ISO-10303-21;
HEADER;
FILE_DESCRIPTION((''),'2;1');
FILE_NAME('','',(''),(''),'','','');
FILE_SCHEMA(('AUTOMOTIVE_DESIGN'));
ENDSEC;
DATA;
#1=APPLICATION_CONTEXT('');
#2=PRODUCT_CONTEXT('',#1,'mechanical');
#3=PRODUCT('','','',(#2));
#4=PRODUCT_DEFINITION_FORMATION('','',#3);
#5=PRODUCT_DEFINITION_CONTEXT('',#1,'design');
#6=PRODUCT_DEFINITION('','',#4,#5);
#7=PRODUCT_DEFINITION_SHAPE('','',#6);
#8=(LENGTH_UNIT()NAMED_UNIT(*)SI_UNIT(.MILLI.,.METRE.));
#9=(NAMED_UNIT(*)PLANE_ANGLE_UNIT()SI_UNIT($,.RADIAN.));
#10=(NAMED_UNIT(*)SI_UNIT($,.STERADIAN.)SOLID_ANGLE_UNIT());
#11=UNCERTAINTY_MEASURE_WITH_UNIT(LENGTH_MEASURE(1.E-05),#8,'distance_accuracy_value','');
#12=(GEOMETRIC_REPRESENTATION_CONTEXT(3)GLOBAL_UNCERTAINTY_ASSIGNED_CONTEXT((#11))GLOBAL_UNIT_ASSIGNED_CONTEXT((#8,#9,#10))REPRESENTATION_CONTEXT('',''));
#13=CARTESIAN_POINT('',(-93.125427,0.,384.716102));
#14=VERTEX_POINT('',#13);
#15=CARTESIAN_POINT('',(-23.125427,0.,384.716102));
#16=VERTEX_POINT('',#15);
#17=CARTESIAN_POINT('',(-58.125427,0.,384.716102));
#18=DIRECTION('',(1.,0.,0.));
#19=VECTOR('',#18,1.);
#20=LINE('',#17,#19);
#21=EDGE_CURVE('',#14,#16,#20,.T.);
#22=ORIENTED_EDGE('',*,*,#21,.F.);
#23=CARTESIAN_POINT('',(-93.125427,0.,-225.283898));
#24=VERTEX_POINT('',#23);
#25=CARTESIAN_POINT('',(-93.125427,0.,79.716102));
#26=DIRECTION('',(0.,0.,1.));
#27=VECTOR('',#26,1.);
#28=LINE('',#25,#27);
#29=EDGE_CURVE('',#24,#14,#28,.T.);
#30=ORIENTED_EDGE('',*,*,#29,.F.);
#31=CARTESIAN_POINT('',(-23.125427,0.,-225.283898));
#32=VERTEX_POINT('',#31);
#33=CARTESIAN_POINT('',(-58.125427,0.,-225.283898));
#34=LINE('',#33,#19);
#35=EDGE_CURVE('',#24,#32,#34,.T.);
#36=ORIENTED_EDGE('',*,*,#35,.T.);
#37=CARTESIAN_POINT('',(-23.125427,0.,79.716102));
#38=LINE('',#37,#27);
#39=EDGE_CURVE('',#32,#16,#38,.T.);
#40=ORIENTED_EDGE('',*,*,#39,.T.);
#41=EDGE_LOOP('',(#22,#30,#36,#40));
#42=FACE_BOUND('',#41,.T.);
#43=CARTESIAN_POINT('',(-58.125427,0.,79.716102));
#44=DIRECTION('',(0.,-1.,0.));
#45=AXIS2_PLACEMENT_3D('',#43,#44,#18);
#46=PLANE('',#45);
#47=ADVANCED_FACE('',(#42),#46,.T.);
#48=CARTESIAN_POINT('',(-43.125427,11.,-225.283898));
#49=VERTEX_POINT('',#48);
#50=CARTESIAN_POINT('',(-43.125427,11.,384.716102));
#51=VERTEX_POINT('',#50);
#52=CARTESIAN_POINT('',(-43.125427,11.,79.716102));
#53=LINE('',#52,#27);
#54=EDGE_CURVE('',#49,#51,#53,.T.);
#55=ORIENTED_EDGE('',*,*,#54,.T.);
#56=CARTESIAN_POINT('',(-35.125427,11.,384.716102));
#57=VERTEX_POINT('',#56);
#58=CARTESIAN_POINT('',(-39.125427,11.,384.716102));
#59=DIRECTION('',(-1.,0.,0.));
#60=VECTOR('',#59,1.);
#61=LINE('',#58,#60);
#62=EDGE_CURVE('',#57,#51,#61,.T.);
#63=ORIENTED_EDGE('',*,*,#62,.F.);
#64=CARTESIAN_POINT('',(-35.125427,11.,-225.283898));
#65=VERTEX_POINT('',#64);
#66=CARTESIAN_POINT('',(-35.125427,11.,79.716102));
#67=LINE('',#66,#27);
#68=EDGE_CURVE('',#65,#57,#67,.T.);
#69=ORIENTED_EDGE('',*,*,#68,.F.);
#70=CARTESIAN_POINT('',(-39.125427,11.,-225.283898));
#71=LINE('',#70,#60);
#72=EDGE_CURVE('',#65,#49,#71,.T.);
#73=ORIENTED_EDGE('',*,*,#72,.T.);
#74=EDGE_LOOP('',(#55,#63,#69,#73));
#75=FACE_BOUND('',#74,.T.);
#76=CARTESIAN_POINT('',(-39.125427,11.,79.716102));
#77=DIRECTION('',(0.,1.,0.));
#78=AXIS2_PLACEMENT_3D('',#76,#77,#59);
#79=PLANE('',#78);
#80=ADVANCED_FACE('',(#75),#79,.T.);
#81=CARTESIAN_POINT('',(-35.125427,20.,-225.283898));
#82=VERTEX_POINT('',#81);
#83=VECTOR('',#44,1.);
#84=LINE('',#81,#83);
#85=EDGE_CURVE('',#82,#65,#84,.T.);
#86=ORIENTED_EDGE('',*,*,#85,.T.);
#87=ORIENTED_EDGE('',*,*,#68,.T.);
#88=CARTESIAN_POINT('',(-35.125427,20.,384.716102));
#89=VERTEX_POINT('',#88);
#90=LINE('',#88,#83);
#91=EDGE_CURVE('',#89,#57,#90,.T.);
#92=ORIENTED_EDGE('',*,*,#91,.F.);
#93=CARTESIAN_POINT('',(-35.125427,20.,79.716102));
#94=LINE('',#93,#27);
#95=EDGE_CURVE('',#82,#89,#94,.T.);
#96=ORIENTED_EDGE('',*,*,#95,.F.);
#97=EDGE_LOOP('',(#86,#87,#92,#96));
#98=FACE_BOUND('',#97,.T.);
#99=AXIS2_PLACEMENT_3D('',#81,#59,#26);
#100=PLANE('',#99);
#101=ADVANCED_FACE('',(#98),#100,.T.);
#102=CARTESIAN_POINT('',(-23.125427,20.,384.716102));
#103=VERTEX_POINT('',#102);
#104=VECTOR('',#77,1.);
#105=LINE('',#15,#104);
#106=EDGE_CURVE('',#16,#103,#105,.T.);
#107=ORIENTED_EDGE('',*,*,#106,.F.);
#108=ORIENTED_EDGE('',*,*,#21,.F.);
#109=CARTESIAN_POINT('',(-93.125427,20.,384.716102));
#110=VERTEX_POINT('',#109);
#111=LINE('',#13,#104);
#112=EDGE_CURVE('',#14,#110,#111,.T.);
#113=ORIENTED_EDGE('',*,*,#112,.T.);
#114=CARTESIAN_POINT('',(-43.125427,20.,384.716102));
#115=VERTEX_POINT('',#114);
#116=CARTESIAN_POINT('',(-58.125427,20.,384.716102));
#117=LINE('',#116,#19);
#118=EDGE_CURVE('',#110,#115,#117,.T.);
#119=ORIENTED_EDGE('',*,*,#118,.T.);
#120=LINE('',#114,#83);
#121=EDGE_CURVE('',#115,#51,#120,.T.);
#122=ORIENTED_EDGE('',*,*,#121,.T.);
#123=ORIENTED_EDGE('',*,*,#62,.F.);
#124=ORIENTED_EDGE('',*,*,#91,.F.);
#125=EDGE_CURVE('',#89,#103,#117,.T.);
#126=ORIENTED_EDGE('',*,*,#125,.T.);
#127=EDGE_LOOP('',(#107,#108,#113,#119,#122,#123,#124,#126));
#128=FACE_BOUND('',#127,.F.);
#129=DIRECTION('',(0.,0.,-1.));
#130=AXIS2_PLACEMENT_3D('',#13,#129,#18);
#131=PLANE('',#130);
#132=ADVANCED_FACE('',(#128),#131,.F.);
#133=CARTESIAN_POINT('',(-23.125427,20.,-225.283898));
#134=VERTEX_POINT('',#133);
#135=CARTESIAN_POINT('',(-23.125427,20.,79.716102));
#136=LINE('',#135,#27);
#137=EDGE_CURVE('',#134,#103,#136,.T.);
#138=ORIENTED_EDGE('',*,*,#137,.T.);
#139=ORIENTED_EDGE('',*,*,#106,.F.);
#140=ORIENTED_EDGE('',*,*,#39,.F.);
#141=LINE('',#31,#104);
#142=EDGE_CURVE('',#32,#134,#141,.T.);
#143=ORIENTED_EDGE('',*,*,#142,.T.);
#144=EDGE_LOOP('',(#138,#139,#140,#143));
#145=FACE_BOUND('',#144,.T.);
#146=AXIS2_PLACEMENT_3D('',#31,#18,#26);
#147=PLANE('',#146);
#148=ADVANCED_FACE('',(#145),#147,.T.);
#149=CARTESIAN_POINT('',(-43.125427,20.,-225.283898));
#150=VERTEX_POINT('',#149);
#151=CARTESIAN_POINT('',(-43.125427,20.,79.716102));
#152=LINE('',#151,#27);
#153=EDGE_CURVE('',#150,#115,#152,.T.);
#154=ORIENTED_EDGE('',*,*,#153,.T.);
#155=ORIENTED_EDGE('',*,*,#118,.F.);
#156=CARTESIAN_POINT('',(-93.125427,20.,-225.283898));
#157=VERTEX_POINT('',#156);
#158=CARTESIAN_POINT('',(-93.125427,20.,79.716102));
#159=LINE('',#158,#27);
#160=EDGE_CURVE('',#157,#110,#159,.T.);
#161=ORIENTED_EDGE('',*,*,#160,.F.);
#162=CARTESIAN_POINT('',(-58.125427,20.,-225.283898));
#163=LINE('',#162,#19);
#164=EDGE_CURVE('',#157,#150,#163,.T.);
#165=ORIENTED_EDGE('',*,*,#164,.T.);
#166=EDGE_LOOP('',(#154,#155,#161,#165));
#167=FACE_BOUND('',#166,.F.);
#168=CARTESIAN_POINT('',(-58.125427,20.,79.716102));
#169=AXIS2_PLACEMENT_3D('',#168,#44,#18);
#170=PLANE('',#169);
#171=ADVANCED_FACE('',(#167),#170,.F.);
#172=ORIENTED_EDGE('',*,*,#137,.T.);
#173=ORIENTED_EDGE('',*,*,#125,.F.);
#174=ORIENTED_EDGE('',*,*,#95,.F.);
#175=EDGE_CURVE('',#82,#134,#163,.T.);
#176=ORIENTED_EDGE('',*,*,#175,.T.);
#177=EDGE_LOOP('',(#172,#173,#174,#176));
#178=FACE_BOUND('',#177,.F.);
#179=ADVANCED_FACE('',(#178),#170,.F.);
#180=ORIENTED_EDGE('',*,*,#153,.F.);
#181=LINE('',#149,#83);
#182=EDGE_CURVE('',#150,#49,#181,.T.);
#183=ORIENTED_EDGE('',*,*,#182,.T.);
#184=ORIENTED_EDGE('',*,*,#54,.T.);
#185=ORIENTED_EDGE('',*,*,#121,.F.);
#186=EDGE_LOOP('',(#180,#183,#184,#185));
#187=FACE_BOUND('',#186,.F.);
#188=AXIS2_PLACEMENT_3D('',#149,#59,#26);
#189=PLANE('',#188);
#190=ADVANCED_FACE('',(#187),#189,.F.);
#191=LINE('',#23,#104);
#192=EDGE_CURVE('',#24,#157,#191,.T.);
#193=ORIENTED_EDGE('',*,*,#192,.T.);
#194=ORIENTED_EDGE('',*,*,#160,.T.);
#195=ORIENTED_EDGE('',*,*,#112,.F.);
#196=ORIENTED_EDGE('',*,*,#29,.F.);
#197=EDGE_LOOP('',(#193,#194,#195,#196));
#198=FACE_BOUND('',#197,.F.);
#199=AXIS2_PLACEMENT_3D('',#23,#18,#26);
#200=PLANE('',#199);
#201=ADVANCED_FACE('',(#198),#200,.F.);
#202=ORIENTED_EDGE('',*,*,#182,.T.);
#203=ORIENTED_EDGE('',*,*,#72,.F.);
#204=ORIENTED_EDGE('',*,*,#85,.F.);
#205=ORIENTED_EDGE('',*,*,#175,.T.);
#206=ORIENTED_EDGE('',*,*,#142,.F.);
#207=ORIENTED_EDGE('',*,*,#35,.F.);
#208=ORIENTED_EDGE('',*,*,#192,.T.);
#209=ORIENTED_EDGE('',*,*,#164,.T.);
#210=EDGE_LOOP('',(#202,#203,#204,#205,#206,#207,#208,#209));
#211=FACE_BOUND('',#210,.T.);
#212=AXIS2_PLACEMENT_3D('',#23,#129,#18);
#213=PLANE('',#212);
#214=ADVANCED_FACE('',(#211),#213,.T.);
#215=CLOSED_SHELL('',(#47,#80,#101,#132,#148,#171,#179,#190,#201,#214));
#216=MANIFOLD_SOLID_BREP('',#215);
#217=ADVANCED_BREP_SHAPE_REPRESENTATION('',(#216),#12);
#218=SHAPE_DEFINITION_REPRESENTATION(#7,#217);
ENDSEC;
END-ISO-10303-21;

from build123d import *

# Parameters (mm, degrees)
F0_W     = 70
F0_H     = 610
F1_DEPTH = 20
F2_W     = 8
F2_H     = 610
F3_DEPTH = 9


with BuildPart() as f1:
    # F0 (on Front) → F1 (new body)
    with BuildSketch(Plane.XZ):
        with Locations((-58.125427, 79.716102)):
            Rectangle(F0_W, F0_H)
    extrude(amount=-F1_DEPTH)

    # F2 (on face) → F3 (cut)
    with BuildSketch(Plane(origin=(0, 20, 0), x_dir=(-1, 0, 0), z_dir=(0, 1, 0))):
        with Locations((39.125427, 79.716102)):
            Rectangle(F2_W, F2_H)
    extrude(amount=-F3_DEPTH, mode=Mode.SUBTRACT)


solid = f1.part
